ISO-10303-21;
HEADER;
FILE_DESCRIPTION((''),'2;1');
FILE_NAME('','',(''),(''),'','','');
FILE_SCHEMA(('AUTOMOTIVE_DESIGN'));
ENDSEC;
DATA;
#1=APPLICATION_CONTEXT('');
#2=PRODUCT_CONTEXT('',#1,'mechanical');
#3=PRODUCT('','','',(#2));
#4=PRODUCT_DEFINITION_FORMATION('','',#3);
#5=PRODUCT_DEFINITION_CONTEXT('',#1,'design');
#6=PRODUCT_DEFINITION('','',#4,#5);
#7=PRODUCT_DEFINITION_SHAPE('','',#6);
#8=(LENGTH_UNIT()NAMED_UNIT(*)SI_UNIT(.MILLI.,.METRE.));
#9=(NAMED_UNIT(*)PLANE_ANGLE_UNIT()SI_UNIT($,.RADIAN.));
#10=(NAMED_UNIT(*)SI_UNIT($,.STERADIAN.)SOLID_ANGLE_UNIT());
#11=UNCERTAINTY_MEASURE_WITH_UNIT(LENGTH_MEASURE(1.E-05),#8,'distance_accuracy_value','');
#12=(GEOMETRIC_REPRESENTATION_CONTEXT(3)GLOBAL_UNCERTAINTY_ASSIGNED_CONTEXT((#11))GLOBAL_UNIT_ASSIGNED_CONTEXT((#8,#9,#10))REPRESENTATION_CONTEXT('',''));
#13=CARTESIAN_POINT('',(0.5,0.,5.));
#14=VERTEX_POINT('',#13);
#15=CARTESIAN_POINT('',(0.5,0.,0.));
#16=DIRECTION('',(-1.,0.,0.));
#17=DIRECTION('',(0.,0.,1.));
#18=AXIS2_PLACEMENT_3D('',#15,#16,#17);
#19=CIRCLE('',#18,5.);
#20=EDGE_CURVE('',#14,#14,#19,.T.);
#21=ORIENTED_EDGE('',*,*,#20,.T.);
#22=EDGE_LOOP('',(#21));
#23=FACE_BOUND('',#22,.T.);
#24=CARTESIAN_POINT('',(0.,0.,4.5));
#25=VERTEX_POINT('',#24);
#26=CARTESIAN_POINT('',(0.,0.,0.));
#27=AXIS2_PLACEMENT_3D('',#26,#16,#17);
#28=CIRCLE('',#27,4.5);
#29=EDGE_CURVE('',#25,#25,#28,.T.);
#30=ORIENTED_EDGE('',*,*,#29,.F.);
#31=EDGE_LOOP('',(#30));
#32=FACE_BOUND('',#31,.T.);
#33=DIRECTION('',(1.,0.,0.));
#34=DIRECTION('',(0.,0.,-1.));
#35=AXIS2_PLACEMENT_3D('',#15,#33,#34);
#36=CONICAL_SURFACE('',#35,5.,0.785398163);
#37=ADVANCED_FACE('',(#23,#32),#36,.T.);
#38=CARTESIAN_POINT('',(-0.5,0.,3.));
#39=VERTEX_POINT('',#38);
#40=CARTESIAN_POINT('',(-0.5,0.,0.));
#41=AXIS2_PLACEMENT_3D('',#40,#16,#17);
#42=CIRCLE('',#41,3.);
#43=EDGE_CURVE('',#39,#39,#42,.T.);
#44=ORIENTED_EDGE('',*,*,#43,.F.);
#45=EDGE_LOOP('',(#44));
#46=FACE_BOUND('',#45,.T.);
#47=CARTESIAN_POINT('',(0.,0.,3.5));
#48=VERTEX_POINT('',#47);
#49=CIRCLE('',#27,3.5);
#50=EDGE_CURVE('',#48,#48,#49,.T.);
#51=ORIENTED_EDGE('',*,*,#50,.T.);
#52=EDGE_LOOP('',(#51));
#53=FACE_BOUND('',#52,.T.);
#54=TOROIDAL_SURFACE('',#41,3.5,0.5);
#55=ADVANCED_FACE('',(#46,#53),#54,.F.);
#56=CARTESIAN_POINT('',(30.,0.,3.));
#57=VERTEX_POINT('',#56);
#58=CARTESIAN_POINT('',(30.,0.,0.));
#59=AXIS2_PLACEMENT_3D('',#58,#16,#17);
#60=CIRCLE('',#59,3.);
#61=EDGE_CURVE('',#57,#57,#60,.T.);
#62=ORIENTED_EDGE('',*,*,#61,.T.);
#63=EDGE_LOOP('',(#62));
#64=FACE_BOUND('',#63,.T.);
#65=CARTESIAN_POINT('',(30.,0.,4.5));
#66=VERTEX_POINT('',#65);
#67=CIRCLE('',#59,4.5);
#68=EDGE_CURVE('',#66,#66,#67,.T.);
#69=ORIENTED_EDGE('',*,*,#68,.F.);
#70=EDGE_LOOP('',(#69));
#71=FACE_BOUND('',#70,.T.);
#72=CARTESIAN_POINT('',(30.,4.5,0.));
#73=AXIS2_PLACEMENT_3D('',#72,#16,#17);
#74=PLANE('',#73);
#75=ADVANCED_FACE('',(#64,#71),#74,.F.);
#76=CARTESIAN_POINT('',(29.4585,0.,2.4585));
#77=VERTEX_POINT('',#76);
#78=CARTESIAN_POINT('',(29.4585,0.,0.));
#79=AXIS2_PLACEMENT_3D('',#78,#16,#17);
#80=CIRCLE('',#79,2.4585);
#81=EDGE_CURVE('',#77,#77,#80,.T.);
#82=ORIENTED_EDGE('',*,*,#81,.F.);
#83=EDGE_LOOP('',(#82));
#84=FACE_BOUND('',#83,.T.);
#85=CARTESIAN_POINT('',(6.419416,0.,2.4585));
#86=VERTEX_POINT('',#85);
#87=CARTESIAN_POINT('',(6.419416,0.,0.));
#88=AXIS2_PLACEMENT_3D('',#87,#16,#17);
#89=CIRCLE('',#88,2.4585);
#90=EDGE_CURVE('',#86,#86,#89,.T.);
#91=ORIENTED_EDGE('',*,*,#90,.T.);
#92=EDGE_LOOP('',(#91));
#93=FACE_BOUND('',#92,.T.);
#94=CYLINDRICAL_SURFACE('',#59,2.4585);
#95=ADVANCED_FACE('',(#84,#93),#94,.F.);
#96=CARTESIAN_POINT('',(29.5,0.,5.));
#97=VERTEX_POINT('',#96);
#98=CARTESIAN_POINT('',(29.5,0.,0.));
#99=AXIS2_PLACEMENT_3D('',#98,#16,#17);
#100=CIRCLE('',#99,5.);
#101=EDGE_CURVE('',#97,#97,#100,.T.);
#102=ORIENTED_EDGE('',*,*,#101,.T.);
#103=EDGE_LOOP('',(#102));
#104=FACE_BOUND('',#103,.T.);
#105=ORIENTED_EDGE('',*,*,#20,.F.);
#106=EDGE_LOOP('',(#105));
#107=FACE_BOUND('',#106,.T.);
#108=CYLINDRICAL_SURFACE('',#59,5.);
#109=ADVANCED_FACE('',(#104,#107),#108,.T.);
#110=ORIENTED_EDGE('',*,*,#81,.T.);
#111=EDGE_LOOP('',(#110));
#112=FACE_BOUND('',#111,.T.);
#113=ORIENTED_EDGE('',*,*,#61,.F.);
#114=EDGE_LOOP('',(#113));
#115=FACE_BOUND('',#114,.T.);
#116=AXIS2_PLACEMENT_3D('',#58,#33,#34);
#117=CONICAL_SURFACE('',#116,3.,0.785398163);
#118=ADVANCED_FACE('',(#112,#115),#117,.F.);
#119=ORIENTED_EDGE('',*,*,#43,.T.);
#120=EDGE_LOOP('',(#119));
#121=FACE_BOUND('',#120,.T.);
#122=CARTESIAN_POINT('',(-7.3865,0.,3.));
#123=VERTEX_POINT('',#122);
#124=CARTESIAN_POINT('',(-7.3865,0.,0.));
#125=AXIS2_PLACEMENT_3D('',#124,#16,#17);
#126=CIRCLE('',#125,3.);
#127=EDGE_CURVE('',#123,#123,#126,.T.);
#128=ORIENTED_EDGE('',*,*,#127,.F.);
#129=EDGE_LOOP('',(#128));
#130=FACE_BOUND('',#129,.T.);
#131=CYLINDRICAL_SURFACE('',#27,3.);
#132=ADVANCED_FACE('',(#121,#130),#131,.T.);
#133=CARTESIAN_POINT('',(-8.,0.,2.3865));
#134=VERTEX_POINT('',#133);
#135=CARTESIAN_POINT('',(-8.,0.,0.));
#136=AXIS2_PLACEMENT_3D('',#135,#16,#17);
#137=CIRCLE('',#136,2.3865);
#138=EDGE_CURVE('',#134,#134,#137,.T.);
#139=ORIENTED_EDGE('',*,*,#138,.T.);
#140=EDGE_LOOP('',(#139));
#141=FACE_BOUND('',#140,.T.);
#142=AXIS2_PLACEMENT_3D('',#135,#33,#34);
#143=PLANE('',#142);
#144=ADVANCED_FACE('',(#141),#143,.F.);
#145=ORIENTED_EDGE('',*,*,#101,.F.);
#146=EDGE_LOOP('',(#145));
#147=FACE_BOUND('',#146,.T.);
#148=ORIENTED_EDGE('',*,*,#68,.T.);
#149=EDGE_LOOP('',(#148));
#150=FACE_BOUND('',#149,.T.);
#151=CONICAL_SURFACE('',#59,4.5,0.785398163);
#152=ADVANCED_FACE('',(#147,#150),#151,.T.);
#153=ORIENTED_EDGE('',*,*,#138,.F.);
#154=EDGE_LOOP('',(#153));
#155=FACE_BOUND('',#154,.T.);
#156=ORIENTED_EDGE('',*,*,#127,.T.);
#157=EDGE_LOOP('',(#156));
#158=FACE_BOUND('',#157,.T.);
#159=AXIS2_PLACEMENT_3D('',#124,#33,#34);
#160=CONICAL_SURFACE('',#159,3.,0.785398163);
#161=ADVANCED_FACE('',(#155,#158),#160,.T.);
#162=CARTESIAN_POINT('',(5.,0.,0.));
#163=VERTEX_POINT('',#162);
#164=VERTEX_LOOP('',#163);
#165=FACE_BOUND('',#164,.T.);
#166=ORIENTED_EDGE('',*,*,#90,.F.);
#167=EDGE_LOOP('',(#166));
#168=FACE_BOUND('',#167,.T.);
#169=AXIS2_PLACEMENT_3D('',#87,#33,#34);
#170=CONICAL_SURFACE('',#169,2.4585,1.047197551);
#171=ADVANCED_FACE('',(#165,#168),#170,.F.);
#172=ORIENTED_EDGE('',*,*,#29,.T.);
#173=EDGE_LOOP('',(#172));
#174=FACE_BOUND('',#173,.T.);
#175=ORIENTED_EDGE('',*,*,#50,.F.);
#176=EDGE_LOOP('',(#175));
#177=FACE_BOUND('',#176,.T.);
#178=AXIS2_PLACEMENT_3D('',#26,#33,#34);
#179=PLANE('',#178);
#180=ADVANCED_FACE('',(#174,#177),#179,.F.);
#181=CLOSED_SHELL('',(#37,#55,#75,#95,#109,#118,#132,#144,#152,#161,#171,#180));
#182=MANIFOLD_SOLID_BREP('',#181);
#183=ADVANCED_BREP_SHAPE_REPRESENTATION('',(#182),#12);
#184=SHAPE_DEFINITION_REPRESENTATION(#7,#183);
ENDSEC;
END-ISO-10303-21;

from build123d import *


with BuildPart() as part:
    # Sketch1 → Revolve1 (revolve)
    with BuildSketch(Plane.XY, mode=Mode.PRIVATE) as revolve1_sk:
        Polygon((0, 0), (0, 4.5), (0.5, 5), (29.5, 5), (30, 4.5), (30, 0), align=None)
    revolve(revolve1_sk.sketch.rotate(Axis((30, 0, 0), (-1, 0, 0)), 270), axis=Axis((30, 0, 0), (-1, 0, 0)))

    # Sketch2 → Revolve2 (revolve)
    with BuildSketch(Plane.XY, mode=Mode.PRIVATE) as revolve2_sk:
        with BuildLine():
            Line((-8, 0), (-8, 2.3865))
            Line((-8, 2.3865), (-7.3865, 3))
            Line((-7.3865, 3), (-0.5, 3))
            ThreePointArc((-0.5, 3), (-0.146446609, 3.146446609), (0, 3.5))
            Line((0, 3.5), (0, 0))
            Line((0, 0), (-8, 0))
        make_face()
    revolve(revolve2_sk.sketch.rotate(Axis((0, 0, 0), (-1, 0, 0)), 270), axis=Axis((0, 0, 0), (-1, 0, 0)))

    # Sketch3 → Cut-Revolve1 (revolve, cut)
    with BuildSketch(Plane.XY, mode=Mode.PRIVATE) as cut_revolve1_sk:
        Polygon((5, 0), (6.419415637, 2.4585), (29.4585, 2.4585), (30, 3), (30, 0), align=None)
    revolve(cut_revolve1_sk.sketch.rotate(Axis((30, 0, 0), (-1, 0, 0)), 270), axis=Axis((30, 0, 0), (-1, 0, 0)), mode=Mode.SUBTRACT)


solid = part.part
